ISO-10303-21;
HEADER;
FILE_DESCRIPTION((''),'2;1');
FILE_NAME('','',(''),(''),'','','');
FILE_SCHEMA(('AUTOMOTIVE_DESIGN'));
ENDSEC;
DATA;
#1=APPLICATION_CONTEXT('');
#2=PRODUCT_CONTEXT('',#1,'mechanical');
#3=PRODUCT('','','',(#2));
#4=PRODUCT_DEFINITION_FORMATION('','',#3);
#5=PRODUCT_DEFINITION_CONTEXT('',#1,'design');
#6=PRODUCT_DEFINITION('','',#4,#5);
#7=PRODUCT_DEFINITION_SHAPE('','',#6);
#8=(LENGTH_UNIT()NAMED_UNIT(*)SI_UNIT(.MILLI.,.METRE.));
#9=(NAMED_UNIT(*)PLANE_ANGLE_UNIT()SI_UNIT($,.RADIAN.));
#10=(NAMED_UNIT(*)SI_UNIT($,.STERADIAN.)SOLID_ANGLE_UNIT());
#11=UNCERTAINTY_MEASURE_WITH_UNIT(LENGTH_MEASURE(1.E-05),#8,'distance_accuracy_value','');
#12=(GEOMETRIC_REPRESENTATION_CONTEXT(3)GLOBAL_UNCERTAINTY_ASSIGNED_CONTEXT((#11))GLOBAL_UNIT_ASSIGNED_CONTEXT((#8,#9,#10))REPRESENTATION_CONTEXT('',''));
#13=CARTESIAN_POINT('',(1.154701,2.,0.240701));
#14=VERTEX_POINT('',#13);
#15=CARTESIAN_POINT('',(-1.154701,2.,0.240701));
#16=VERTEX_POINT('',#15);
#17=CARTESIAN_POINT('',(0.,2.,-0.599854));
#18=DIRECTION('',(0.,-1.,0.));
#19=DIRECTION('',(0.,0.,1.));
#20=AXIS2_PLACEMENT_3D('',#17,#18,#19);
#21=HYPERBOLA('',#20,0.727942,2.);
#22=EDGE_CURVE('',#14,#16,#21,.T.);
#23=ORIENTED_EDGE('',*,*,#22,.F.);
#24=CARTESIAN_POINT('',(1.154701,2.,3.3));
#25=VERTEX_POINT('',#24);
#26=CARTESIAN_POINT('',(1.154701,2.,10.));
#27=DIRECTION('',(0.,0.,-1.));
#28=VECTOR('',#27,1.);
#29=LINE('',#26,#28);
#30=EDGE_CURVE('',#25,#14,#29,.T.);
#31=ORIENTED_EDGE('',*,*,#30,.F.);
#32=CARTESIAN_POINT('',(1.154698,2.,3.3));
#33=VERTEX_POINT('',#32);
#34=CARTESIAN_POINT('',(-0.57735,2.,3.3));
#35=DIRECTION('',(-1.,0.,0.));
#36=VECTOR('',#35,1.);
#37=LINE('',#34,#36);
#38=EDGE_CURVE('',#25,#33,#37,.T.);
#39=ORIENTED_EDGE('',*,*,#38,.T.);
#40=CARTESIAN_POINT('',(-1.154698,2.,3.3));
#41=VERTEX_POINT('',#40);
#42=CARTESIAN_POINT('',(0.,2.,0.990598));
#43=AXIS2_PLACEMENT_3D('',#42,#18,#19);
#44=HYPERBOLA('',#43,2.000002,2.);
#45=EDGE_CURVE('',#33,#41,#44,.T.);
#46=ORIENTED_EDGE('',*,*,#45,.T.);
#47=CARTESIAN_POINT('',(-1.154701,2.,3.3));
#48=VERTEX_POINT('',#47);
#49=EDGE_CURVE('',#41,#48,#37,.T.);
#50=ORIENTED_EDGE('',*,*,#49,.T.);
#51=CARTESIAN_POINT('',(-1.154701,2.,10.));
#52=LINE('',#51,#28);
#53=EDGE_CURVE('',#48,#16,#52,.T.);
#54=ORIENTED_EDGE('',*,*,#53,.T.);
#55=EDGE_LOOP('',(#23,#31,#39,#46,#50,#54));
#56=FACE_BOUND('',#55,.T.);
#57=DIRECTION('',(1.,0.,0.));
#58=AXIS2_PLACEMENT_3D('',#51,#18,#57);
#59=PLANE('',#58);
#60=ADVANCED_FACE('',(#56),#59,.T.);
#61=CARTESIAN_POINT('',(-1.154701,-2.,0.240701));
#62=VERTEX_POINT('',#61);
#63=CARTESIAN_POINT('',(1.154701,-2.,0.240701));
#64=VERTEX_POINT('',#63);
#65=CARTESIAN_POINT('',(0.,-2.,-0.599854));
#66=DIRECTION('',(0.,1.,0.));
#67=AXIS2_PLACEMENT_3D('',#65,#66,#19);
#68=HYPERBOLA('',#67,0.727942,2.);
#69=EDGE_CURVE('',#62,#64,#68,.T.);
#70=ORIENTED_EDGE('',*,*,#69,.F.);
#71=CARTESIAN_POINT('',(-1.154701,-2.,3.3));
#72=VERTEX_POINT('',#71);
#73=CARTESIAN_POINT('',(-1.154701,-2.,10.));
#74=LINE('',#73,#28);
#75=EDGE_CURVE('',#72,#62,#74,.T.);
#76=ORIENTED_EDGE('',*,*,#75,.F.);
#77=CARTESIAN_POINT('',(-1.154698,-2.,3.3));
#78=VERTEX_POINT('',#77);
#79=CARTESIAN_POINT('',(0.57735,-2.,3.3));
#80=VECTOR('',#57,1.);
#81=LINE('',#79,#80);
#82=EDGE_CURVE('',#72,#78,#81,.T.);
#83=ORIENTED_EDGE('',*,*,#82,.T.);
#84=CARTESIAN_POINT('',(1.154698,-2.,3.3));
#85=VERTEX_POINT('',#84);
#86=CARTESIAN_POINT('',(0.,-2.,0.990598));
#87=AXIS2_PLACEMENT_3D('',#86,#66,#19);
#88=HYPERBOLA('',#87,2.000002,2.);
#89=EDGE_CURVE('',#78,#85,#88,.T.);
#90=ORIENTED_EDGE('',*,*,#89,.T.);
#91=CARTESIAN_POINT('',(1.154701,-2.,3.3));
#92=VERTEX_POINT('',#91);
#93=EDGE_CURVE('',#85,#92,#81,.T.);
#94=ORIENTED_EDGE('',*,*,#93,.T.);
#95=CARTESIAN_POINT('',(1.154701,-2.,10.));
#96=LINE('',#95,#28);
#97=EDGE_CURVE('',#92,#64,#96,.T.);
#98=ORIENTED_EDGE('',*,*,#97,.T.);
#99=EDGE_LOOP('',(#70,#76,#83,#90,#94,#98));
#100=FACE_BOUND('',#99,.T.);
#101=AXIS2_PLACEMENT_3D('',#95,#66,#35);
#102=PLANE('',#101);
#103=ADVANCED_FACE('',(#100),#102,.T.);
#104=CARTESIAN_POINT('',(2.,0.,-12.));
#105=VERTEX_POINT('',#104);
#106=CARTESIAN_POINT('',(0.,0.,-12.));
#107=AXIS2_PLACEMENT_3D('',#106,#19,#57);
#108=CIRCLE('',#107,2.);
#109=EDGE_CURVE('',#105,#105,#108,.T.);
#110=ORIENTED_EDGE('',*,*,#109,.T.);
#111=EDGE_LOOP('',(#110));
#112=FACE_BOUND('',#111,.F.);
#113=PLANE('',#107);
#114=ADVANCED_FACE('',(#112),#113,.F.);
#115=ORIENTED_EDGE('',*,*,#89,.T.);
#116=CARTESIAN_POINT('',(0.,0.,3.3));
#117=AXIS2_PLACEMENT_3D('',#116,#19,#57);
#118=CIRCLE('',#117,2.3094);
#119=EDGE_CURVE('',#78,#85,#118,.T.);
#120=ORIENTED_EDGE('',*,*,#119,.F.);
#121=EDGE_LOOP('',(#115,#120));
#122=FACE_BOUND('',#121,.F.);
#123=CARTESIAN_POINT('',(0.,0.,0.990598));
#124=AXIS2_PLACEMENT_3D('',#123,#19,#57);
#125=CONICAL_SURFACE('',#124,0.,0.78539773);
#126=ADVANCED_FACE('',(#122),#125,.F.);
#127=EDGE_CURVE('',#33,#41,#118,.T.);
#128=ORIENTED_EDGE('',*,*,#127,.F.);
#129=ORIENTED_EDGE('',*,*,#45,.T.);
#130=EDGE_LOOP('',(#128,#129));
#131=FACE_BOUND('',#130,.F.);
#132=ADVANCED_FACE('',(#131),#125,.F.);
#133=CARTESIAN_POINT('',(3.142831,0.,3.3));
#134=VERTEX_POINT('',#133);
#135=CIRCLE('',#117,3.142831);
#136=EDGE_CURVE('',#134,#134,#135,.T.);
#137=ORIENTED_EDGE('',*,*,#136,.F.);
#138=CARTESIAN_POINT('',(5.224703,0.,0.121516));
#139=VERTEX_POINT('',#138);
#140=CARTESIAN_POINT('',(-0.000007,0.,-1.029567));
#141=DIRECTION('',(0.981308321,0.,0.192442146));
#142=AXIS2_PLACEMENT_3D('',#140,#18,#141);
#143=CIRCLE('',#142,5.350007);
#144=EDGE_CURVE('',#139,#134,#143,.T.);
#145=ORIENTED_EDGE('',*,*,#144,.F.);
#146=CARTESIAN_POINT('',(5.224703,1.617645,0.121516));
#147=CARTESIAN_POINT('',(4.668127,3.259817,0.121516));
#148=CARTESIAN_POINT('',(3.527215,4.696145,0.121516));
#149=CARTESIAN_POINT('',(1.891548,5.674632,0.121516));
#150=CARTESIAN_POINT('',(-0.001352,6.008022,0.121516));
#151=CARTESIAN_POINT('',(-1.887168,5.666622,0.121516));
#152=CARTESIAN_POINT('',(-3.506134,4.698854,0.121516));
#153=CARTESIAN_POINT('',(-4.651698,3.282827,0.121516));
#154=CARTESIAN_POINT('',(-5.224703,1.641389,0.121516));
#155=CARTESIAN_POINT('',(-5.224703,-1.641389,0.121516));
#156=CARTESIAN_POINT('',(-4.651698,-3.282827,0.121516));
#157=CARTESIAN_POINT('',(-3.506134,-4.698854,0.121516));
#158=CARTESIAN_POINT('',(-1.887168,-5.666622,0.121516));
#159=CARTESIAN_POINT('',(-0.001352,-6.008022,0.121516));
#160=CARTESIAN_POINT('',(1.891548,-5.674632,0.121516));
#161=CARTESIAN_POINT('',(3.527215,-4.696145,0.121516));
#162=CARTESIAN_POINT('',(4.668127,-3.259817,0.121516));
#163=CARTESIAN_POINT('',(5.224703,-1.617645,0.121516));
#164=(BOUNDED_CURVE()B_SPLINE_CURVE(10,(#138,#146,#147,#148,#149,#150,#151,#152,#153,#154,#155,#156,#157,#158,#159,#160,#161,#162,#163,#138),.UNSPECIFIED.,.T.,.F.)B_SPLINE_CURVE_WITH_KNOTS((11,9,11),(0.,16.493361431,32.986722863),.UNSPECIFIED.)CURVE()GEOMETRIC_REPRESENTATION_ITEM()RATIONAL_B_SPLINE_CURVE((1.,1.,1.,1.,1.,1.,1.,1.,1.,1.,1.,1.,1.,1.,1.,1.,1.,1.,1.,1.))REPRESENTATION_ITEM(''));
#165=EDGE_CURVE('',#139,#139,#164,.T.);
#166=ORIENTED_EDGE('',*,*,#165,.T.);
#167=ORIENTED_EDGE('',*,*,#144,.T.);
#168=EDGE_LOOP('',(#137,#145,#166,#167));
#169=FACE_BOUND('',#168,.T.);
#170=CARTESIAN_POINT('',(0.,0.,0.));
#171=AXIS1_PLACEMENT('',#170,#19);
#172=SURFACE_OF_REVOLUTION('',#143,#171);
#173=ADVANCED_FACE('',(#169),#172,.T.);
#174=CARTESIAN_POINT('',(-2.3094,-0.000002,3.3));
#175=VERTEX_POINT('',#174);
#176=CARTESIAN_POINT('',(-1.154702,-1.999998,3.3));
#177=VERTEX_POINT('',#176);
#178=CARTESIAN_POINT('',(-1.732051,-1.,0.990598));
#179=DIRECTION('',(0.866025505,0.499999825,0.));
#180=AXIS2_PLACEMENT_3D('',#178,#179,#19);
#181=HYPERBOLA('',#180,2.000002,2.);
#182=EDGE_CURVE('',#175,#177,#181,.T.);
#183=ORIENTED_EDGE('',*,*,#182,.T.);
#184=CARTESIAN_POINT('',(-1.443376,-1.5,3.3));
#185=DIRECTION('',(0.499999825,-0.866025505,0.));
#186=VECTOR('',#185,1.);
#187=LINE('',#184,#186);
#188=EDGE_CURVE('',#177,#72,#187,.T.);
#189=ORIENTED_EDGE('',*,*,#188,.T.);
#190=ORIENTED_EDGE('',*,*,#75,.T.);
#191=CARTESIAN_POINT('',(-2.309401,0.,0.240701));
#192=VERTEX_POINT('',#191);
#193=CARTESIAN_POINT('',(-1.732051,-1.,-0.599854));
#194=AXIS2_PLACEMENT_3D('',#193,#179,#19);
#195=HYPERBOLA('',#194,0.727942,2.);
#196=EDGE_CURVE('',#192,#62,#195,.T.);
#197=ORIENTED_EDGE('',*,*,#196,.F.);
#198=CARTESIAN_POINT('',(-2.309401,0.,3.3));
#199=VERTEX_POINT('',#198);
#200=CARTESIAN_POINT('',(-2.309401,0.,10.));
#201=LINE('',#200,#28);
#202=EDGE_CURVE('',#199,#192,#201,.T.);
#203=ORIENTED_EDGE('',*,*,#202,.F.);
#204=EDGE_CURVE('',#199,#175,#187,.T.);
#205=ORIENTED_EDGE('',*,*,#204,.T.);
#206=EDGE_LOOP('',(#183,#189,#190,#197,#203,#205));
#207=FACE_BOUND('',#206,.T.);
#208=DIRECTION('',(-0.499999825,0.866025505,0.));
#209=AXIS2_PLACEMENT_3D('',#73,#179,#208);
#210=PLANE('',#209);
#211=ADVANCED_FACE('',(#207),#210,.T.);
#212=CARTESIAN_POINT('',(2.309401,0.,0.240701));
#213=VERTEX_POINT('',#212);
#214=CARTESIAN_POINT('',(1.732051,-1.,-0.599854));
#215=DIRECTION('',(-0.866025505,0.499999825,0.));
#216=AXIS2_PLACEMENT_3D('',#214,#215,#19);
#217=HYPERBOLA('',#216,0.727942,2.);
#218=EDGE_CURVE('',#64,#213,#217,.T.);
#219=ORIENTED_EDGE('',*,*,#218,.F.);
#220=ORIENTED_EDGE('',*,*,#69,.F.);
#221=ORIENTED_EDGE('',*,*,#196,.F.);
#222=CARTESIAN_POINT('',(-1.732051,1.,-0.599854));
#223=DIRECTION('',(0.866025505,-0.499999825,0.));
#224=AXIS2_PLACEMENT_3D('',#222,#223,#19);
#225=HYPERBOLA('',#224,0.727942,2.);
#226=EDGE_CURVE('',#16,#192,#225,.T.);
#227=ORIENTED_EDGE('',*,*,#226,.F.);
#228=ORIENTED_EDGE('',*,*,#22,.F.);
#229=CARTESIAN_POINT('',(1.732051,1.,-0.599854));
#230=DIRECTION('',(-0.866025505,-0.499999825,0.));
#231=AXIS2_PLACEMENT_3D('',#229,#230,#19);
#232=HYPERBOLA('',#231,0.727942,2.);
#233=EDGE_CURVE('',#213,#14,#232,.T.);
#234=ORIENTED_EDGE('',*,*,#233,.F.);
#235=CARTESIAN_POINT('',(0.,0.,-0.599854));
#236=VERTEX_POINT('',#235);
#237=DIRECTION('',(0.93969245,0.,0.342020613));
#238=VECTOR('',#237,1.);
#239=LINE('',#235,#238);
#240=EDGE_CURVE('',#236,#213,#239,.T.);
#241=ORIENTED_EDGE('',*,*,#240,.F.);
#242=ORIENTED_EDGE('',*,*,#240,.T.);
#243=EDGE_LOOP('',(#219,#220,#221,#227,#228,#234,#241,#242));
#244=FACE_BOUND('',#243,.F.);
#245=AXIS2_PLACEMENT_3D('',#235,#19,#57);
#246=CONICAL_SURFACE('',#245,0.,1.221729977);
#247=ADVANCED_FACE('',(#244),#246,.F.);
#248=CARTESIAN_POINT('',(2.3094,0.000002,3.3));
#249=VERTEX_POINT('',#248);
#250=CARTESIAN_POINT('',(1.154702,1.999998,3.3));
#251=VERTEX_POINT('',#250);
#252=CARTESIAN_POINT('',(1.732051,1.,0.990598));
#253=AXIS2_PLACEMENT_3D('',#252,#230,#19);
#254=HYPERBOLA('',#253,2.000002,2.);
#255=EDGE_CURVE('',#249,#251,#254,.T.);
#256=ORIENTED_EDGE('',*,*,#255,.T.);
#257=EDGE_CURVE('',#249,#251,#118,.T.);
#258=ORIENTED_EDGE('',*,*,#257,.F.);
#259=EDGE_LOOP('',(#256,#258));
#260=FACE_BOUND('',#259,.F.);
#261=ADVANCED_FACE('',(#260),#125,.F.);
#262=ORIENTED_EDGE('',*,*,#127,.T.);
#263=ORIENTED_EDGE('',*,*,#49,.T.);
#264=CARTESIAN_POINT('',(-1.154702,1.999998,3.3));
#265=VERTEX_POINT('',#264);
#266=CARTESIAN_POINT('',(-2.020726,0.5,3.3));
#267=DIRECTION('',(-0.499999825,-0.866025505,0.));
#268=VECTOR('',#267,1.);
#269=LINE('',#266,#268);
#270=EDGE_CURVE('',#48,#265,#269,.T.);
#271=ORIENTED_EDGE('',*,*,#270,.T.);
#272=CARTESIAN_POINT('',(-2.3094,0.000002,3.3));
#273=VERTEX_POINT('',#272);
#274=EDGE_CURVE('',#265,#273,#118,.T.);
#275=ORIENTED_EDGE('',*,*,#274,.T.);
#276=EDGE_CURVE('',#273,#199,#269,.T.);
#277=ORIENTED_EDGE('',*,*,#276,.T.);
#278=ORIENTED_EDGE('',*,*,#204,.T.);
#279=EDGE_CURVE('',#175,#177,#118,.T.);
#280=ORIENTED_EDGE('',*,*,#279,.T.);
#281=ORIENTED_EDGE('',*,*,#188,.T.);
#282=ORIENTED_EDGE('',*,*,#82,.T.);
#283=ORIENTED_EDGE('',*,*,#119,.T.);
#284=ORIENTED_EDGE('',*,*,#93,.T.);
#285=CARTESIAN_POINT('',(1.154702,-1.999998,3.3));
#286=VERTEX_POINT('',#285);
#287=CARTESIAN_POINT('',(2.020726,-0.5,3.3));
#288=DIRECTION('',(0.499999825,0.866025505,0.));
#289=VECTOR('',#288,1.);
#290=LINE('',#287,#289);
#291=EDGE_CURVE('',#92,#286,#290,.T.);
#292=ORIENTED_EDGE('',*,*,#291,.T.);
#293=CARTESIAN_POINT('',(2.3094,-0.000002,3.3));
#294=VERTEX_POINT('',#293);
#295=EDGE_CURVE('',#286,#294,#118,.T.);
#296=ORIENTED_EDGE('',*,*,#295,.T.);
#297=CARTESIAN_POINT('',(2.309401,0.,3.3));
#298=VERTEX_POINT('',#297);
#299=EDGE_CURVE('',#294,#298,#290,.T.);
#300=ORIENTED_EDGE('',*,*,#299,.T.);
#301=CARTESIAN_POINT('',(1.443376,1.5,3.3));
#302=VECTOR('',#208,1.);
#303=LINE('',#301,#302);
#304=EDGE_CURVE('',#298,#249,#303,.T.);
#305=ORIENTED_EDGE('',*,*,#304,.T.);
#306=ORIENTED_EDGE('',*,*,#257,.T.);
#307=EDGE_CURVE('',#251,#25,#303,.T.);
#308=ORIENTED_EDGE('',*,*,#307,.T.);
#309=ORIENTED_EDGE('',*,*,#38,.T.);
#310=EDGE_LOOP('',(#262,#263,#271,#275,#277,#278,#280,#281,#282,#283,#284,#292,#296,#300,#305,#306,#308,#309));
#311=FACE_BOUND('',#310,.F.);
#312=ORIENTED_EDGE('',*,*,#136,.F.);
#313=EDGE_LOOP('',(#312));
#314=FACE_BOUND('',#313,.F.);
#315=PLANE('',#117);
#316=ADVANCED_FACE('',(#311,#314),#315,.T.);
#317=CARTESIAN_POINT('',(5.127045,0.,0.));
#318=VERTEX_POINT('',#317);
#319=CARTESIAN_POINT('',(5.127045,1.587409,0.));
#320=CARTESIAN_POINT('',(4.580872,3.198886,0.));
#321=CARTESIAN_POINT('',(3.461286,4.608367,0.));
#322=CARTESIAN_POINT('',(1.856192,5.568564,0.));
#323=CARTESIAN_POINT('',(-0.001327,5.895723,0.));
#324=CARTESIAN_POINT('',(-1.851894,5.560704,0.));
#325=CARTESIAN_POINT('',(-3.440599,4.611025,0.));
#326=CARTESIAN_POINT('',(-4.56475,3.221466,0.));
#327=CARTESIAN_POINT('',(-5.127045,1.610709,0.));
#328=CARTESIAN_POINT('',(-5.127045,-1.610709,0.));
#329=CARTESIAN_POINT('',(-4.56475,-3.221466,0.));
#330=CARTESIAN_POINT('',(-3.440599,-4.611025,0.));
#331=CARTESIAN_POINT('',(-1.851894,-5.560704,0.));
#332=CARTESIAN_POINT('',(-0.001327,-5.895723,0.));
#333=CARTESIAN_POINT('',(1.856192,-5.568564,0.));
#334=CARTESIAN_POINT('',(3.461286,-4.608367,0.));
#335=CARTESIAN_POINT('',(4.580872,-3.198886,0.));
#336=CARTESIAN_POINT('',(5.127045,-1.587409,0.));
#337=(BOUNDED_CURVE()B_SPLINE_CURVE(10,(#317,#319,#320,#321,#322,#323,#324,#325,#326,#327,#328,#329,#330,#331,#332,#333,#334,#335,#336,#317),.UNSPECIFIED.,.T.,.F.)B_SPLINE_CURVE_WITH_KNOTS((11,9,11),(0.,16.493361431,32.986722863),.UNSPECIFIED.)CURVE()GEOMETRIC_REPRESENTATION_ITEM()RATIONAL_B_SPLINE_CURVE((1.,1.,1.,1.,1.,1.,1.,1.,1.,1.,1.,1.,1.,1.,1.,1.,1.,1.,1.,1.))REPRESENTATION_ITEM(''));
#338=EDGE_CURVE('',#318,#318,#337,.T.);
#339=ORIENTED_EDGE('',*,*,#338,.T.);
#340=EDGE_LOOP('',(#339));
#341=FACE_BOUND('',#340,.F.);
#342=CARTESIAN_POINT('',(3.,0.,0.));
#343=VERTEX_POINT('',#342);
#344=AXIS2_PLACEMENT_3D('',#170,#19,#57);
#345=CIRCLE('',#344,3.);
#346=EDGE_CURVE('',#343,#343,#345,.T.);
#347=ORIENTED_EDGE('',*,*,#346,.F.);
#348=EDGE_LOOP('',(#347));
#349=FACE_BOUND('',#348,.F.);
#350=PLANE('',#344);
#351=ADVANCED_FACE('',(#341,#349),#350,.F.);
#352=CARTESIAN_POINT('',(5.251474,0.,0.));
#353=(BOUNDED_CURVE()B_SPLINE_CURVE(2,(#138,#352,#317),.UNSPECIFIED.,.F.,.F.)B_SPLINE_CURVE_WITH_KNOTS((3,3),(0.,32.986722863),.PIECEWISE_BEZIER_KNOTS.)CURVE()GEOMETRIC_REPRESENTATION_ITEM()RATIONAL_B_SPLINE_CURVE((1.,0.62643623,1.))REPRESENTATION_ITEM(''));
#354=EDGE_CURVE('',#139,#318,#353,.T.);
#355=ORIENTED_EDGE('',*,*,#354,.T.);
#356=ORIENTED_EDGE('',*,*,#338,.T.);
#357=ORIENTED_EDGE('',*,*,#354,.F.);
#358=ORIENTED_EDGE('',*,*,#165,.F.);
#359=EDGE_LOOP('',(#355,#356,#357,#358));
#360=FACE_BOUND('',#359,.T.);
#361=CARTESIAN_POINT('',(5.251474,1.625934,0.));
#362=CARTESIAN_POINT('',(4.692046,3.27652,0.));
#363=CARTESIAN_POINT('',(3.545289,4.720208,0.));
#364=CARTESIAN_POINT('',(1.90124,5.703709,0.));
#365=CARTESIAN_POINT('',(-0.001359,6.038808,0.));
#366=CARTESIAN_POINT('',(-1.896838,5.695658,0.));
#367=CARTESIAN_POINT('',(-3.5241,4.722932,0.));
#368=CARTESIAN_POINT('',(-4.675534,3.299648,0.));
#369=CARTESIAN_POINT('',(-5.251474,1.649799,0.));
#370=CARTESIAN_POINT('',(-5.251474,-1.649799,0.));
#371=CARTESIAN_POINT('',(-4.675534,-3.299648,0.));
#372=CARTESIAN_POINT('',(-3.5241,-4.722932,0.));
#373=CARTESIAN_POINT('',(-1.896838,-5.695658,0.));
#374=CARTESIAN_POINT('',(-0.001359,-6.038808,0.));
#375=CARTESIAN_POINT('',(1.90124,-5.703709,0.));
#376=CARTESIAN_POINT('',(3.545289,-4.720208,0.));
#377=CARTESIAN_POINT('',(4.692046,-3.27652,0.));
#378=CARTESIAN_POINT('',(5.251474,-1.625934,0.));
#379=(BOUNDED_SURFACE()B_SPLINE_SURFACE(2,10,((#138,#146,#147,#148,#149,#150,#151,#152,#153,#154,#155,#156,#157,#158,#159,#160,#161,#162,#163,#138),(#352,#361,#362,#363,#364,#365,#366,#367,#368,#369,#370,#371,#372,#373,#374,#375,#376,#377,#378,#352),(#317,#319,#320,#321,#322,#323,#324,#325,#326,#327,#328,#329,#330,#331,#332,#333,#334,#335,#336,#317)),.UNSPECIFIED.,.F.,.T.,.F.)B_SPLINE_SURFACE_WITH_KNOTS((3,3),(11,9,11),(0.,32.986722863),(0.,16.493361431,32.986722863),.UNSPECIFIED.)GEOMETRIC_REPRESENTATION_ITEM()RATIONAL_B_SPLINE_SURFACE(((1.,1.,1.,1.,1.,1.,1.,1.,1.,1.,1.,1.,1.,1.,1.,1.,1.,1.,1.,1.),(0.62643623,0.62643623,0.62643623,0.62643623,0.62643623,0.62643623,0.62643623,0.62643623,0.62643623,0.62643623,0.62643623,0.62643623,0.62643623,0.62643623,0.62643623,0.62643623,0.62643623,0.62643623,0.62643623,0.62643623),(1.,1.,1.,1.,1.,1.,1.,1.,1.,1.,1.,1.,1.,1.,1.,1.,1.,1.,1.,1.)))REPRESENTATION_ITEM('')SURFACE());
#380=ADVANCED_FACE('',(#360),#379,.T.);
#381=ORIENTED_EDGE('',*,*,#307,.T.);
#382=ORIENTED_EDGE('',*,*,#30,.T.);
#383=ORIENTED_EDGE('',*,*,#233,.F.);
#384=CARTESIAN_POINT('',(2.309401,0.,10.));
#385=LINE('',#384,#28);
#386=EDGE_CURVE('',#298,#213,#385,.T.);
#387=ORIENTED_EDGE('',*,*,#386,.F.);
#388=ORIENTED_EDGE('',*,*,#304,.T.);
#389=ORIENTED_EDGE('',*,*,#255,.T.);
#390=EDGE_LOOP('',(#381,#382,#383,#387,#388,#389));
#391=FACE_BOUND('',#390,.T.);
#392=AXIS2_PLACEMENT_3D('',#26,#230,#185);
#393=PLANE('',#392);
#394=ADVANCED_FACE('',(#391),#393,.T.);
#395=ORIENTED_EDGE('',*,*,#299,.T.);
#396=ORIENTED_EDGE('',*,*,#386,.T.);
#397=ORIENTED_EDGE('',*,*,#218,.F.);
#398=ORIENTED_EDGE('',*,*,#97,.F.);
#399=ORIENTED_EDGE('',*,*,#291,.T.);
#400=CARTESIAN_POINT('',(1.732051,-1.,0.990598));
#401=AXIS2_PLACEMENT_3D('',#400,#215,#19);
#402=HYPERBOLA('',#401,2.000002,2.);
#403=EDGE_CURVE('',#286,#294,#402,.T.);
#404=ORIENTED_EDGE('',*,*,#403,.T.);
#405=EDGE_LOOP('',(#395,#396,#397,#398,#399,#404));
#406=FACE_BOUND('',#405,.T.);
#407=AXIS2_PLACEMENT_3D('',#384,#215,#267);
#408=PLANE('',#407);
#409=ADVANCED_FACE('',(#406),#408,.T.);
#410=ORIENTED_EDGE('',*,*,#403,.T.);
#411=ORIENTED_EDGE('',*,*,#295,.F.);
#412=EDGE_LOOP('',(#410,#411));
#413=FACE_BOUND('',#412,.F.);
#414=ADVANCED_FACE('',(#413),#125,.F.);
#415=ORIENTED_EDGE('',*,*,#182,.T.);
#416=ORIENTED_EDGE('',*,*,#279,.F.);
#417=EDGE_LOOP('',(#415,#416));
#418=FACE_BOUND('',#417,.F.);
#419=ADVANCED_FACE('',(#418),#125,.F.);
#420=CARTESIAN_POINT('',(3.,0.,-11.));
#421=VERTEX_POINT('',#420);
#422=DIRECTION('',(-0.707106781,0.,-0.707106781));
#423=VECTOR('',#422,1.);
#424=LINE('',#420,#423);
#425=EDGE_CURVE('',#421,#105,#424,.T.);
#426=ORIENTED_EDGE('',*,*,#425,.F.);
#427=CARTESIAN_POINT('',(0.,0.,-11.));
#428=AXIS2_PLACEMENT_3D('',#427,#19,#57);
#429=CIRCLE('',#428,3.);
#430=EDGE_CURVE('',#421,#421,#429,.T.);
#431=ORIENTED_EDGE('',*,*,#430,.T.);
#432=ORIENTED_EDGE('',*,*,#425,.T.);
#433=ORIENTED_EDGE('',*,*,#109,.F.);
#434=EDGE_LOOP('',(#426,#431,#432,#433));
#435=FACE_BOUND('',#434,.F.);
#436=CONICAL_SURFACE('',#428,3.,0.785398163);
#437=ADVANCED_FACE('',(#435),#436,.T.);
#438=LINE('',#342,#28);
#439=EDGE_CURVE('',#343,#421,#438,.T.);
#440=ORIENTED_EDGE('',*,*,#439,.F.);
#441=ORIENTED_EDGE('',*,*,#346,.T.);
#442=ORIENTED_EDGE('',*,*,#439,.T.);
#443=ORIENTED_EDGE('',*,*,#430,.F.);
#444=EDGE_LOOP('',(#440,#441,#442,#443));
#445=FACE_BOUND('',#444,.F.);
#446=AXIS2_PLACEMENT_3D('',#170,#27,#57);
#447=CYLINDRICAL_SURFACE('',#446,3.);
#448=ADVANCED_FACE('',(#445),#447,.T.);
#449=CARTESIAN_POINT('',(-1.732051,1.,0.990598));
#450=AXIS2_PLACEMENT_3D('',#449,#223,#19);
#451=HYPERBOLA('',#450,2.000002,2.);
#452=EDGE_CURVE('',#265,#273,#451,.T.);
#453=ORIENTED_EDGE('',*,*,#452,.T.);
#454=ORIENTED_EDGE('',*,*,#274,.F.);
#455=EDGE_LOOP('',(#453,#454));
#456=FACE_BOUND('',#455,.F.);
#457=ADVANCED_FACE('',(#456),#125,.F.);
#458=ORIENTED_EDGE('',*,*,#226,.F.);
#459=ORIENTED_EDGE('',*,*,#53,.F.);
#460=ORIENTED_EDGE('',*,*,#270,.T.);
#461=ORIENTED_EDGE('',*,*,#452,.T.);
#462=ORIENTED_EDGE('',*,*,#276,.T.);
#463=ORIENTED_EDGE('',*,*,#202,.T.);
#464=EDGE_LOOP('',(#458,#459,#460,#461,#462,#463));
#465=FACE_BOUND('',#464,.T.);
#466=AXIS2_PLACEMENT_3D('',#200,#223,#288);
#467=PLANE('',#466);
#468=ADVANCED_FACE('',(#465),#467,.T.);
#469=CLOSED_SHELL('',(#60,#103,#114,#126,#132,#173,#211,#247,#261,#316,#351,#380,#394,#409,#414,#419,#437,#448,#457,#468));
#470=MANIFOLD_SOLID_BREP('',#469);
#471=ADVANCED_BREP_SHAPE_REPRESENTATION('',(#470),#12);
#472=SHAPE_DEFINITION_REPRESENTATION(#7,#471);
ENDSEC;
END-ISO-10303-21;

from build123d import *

# Parameters (mm, degrees)
SKETCH001_R  = 6
POCKET_DEPTH = 10.600854
FILLET_R     = 0.1
CHAMFER_SIZE = 1


with BuildPart() as pocket:
    # Sketch003 → Revolution001 (revolve)
    with BuildSketch(Plane.XZ):
        Polygon((0, -0.599854), (5, 1.22), (5, 10), (0, 10), align=None)
    revolve(axis=Axis((0, 0, 0), (0, 0, 1)))

    # Sketch001 → Pocket (cut, through all)
    with BuildSketch(Plane(origin=(0, 0, 10), x_dir=(-1, 0, 0), z_dir=(0, 0, 1))):
        Circle(SKETCH001_R)
        Polygon((-1.154701, 2), (1.154701, 2), (2.309401, 0), (1.154701, -2), (-1.154701, -2), (-2.309401, 0), align=None, mode=Mode.SUBTRACT)
    extrude(amount=-POCKET_DEPTH, mode=Mode.SUBTRACT)


with BuildPart() as chamfer_body:
    # Sketch → Revolution (revolve)
    with BuildSketch(Plane.XZ):
        with BuildLine():
            Line((2.3094, 3.3), (3.142831, 3.3))
            ThreePointArc((5.25, 0), (4.509146, 1.84969), (3.142831, 3.3))
            Line((5.25, 0), (3, 0))
            Line((3, 0), (3, -12))
            Line((3, -12), (0, -12))
            Line((0, -12), (0, 0.990598))
            Line((0, 0.990598), (2.3094, 3.3))
        make_face()
    revolve(axis=Axis((0, 0, 0), (0, 0, 1)))

    # Cut: cut Pocket
    add(pocket.part, mode=Mode.SUBTRACT)

    # Fillet
    fillet_edges = [chamfer_body.edges().sort_by_distance(p)[0] for p in [
        (-5.25, 0, 0),
    ]]
    fillet(fillet_edges, radius=FILLET_R)

    # Chamfer
    chamfer_edges = [chamfer_body.edges().sort_by_distance(p)[0] for p in [
        (-3, 0, -12),
    ]]
    chamfer(chamfer_edges, length=CHAMFER_SIZE)


solid = chamfer_body.part
